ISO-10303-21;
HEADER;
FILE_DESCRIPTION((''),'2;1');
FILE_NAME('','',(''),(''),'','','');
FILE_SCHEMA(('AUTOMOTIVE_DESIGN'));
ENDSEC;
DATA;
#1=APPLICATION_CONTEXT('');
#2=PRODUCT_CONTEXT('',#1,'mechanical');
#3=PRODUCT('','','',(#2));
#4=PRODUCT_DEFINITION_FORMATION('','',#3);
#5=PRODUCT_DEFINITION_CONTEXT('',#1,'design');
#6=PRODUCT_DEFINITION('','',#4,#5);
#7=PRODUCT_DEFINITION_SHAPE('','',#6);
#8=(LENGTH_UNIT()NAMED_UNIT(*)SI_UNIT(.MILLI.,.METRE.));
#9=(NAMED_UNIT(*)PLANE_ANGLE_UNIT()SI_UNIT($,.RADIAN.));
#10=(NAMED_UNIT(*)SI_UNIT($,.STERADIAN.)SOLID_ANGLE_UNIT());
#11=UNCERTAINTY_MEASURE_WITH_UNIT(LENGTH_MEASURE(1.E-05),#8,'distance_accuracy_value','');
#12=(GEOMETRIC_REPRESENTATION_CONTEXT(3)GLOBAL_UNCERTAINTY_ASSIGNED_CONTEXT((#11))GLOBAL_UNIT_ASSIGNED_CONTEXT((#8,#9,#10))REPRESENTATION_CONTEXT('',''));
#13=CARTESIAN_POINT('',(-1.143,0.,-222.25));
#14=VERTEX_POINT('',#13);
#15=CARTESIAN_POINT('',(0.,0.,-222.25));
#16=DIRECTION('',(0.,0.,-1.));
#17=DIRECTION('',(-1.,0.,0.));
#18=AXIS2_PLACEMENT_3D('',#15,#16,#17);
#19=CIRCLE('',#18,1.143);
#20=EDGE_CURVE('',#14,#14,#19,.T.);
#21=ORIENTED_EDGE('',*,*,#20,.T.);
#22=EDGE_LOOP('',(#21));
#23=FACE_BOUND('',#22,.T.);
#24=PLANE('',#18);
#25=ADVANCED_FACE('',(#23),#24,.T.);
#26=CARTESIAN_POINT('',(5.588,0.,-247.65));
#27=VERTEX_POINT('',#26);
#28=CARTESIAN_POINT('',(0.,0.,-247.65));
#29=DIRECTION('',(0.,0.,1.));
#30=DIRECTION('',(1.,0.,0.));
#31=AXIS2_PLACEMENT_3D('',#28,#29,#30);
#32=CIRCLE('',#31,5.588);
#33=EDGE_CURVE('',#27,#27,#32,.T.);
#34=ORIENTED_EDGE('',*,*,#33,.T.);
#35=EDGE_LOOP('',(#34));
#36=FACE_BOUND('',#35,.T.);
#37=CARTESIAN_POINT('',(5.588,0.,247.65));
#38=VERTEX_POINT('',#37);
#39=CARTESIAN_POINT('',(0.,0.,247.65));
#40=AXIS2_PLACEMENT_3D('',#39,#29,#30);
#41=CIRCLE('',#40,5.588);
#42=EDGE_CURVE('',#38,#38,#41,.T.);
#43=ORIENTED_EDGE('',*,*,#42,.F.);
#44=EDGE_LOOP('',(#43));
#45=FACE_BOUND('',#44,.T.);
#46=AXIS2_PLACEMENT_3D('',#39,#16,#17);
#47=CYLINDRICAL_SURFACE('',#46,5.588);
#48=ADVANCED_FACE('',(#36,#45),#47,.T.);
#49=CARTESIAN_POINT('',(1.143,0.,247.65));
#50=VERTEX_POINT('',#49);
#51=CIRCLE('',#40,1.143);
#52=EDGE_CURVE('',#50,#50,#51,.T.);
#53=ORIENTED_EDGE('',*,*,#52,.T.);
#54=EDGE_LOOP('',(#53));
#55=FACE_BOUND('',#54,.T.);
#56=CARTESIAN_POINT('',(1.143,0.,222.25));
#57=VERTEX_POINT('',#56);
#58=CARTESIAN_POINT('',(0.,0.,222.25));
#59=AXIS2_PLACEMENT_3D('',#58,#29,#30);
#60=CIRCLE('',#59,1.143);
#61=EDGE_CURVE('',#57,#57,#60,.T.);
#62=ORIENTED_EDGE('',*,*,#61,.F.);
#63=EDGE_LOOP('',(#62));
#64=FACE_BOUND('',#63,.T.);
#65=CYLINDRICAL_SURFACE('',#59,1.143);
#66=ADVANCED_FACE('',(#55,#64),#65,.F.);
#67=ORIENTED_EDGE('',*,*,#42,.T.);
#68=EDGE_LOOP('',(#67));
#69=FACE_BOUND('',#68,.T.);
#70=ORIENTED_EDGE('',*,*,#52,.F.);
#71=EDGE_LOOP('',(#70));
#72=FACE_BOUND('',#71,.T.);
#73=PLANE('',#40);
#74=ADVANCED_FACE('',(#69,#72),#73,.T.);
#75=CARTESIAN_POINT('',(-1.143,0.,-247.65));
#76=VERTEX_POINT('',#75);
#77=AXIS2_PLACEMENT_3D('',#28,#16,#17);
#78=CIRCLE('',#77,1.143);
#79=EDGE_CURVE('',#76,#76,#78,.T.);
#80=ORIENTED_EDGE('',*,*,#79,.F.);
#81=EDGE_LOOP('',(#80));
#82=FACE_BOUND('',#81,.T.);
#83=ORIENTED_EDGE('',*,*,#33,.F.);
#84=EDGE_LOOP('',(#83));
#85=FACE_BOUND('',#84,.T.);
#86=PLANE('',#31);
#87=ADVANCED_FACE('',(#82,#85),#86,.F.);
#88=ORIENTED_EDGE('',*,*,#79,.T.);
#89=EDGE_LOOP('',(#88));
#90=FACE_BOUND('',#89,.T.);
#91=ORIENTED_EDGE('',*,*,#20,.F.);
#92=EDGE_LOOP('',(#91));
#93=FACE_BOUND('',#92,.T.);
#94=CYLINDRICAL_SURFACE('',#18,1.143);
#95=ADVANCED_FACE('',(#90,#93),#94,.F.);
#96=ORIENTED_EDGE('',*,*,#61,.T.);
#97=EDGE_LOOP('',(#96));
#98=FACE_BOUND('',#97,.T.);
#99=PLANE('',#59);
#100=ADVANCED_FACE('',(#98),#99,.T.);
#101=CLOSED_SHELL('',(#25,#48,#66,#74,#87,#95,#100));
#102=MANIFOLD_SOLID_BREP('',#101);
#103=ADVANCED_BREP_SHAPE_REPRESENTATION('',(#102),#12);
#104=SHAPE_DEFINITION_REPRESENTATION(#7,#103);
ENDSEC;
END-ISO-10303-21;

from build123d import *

# Parameters (mm, degrees)
SKETCH2_R           = 5.588
BOSS_EXTRUDE1_DEPTH = 247.65
SKETCH7_R           = 1.143
CUT_EXTRUDE3_DEPTH  = 25.4
CUT_EXTRUDE4_START  = -25.4
SKETCH9_R           = 1.143
CUT_EXTRUDE4_DEPTH  = 25.4


with BuildPart() as part:
    # Sketch2 → Boss-Extrude1 (new, symmetric)
    with BuildSketch(Plane.XY):
        Circle(SKETCH2_R)
    extrude(amount=BOSS_EXTRUDE1_DEPTH, both=True)

    # Sketch7 → Cut-Extrude3 (cut)
    with BuildSketch(Plane.XY.offset(247.65)):
        Circle(SKETCH7_R)
    extrude(amount=-CUT_EXTRUDE3_DEPTH, mode=Mode.SUBTRACT)

    # Sketch9 → Cut-Extrude4 (cut)
    with BuildSketch(Plane(origin=(0, 0, -247.65), x_dir=(-1, 0, 0), z_dir=(0, 0, -1)).offset(CUT_EXTRUDE4_START)):
        with Locations(Location((0, 0, 0), (0, 0, 180))):
            Circle(SKETCH9_R)
    extrude(amount=CUT_EXTRUDE4_DEPTH, mode=Mode.SUBTRACT)


solid = part.part
